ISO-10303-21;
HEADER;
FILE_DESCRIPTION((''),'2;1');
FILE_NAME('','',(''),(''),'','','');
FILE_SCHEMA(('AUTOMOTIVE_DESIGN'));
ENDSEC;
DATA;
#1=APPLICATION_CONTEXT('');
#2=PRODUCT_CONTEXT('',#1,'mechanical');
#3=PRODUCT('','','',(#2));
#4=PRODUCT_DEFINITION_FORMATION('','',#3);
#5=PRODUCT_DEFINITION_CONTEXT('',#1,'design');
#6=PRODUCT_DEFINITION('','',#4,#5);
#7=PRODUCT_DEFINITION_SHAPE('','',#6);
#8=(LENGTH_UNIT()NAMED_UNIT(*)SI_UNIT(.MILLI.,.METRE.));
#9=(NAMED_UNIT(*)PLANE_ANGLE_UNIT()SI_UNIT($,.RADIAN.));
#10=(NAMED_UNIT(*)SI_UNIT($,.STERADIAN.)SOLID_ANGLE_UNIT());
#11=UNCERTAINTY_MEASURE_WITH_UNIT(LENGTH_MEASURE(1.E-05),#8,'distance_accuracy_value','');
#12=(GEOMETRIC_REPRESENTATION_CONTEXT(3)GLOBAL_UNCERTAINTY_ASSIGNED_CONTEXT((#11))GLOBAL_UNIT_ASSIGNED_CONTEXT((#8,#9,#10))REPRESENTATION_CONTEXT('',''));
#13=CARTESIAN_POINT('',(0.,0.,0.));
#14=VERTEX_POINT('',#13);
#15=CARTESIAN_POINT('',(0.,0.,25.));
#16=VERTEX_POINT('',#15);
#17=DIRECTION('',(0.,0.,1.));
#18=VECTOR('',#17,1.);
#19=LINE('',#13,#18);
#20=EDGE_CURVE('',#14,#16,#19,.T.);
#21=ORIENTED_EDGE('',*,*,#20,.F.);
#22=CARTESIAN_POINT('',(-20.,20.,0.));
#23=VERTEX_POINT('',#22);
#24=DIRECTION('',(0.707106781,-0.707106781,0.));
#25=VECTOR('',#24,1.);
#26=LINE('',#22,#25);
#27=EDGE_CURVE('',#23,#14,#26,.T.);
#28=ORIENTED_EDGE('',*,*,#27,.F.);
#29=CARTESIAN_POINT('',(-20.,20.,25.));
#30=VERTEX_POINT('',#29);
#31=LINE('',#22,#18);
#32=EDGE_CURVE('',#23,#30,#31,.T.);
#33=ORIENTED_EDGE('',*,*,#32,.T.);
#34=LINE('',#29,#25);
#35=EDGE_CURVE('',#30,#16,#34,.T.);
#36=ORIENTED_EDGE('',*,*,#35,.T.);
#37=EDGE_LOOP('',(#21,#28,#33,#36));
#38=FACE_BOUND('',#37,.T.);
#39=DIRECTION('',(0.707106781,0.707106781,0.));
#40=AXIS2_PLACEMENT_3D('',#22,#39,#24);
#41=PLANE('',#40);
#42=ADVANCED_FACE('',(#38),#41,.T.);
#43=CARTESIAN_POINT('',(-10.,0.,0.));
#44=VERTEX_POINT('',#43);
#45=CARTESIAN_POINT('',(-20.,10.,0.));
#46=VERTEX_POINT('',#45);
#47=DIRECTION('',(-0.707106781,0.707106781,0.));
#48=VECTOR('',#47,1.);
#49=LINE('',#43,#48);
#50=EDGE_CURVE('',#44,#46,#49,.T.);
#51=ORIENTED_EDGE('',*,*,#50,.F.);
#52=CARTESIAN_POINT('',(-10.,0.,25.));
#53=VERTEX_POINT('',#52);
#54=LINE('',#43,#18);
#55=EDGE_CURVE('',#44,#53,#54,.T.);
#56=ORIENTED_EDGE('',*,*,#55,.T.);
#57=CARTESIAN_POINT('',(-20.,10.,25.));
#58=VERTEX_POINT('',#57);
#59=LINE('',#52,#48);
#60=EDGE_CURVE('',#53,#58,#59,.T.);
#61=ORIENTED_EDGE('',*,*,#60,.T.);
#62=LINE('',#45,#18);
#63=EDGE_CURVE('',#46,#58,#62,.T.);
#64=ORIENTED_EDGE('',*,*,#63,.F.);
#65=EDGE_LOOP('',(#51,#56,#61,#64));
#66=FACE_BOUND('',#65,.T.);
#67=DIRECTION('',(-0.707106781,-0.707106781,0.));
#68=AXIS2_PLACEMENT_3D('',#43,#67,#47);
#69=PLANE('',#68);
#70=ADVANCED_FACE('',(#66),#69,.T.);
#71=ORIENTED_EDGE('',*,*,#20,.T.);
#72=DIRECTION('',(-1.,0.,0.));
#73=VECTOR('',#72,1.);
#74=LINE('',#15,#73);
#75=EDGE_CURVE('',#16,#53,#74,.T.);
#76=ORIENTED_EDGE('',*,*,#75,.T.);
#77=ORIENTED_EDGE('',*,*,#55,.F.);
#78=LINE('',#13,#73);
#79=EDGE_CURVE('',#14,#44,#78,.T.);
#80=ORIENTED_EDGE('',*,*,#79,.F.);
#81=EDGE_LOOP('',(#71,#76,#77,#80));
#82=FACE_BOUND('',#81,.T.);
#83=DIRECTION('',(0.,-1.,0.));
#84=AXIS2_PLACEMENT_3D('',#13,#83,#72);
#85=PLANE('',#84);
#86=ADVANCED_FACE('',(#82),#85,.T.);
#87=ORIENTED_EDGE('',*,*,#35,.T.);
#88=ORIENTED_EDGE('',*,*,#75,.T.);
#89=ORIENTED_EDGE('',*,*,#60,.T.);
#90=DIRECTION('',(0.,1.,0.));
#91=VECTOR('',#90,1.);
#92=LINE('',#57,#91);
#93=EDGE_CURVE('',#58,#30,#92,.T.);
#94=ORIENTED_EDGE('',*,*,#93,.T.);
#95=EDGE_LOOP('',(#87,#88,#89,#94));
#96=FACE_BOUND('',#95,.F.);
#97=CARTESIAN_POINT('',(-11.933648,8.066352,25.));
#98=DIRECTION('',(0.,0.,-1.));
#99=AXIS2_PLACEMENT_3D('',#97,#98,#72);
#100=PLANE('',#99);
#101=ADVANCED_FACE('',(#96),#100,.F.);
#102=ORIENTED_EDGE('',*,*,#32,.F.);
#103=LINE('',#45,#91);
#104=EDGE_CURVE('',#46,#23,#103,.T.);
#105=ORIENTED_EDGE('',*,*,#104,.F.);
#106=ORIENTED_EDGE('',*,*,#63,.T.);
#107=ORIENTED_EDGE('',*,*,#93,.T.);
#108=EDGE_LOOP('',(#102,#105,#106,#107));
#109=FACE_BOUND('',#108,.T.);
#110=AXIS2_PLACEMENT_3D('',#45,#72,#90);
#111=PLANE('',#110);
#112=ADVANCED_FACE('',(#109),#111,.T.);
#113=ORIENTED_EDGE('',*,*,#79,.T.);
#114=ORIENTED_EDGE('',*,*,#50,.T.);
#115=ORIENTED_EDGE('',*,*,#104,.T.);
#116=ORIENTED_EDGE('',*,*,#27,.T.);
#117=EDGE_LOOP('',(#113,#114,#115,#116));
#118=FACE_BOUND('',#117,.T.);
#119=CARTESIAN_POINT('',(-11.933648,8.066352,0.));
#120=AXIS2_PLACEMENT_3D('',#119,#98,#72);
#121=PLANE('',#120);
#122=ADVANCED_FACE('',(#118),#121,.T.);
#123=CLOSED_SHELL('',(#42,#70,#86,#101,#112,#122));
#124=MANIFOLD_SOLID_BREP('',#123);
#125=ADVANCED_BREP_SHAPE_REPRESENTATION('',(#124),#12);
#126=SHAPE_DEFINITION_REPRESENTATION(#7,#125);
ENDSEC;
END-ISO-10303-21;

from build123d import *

# Parameters (mm, degrees)
BOSS_EXTRUDE1_DEPTH = 25


with BuildPart() as part:
    # Sketch1 → Boss-Extrude1 (new body)
    with BuildSketch(Plane.XY):
        Polygon((-20, 10), (-20, 20), (0, 0), (-10, 0), align=None)
    extrude(amount=BOSS_EXTRUDE1_DEPTH)


solid = part.part
